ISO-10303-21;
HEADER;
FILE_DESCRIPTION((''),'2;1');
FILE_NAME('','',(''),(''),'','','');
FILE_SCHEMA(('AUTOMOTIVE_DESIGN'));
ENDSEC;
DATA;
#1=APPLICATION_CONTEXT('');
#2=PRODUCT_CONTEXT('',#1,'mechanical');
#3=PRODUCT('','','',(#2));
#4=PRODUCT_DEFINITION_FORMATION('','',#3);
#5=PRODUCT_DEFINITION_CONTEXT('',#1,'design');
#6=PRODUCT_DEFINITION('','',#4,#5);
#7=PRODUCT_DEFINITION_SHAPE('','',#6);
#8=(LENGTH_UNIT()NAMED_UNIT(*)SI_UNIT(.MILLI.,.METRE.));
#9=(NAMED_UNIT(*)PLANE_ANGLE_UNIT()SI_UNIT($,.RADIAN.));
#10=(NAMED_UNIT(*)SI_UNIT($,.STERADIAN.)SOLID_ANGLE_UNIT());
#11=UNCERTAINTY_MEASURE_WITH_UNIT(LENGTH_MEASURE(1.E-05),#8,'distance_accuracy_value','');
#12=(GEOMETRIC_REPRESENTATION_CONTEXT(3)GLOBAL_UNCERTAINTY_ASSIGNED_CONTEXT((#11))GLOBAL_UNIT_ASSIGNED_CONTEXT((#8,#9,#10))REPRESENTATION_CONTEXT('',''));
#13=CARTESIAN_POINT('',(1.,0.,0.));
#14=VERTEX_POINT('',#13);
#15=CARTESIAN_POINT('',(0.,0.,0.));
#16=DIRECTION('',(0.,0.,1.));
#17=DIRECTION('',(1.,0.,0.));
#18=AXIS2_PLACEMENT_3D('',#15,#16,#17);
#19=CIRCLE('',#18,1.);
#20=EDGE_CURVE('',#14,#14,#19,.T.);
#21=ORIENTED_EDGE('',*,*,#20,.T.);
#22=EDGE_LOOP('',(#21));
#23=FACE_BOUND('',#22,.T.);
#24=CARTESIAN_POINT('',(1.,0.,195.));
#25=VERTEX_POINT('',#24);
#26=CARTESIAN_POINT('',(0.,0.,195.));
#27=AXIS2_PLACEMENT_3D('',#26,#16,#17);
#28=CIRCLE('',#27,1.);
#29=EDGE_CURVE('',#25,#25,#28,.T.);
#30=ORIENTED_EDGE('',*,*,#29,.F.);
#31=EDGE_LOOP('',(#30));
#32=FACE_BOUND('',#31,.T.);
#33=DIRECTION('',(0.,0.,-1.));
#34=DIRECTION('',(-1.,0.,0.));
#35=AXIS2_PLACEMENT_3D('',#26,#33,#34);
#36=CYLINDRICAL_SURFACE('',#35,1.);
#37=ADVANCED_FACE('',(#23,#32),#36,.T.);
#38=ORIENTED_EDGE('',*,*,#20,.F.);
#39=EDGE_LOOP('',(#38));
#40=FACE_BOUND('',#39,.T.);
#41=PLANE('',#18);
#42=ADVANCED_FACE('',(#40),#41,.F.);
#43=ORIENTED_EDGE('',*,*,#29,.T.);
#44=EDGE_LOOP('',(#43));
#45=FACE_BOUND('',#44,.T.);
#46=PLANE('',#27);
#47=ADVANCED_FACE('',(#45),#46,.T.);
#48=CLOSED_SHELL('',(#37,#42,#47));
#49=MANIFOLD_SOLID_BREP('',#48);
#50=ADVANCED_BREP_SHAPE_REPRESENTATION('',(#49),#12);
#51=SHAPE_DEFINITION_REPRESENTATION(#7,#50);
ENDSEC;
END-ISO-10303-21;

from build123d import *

# Parameters (mm, degrees)
SCHIZZO1_R                   = 1
ESTRUSIONE_ESTRUSIONE1_DEPTH = 195


with BuildPart() as part:
    # Schizzo1 → Estrusione-Estrusione1 (new body)
    with BuildSketch(Plane.XY):
        Circle(SCHIZZO1_R)
    extrude(amount=ESTRUSIONE_ESTRUSIONE1_DEPTH)


solid = part.part
